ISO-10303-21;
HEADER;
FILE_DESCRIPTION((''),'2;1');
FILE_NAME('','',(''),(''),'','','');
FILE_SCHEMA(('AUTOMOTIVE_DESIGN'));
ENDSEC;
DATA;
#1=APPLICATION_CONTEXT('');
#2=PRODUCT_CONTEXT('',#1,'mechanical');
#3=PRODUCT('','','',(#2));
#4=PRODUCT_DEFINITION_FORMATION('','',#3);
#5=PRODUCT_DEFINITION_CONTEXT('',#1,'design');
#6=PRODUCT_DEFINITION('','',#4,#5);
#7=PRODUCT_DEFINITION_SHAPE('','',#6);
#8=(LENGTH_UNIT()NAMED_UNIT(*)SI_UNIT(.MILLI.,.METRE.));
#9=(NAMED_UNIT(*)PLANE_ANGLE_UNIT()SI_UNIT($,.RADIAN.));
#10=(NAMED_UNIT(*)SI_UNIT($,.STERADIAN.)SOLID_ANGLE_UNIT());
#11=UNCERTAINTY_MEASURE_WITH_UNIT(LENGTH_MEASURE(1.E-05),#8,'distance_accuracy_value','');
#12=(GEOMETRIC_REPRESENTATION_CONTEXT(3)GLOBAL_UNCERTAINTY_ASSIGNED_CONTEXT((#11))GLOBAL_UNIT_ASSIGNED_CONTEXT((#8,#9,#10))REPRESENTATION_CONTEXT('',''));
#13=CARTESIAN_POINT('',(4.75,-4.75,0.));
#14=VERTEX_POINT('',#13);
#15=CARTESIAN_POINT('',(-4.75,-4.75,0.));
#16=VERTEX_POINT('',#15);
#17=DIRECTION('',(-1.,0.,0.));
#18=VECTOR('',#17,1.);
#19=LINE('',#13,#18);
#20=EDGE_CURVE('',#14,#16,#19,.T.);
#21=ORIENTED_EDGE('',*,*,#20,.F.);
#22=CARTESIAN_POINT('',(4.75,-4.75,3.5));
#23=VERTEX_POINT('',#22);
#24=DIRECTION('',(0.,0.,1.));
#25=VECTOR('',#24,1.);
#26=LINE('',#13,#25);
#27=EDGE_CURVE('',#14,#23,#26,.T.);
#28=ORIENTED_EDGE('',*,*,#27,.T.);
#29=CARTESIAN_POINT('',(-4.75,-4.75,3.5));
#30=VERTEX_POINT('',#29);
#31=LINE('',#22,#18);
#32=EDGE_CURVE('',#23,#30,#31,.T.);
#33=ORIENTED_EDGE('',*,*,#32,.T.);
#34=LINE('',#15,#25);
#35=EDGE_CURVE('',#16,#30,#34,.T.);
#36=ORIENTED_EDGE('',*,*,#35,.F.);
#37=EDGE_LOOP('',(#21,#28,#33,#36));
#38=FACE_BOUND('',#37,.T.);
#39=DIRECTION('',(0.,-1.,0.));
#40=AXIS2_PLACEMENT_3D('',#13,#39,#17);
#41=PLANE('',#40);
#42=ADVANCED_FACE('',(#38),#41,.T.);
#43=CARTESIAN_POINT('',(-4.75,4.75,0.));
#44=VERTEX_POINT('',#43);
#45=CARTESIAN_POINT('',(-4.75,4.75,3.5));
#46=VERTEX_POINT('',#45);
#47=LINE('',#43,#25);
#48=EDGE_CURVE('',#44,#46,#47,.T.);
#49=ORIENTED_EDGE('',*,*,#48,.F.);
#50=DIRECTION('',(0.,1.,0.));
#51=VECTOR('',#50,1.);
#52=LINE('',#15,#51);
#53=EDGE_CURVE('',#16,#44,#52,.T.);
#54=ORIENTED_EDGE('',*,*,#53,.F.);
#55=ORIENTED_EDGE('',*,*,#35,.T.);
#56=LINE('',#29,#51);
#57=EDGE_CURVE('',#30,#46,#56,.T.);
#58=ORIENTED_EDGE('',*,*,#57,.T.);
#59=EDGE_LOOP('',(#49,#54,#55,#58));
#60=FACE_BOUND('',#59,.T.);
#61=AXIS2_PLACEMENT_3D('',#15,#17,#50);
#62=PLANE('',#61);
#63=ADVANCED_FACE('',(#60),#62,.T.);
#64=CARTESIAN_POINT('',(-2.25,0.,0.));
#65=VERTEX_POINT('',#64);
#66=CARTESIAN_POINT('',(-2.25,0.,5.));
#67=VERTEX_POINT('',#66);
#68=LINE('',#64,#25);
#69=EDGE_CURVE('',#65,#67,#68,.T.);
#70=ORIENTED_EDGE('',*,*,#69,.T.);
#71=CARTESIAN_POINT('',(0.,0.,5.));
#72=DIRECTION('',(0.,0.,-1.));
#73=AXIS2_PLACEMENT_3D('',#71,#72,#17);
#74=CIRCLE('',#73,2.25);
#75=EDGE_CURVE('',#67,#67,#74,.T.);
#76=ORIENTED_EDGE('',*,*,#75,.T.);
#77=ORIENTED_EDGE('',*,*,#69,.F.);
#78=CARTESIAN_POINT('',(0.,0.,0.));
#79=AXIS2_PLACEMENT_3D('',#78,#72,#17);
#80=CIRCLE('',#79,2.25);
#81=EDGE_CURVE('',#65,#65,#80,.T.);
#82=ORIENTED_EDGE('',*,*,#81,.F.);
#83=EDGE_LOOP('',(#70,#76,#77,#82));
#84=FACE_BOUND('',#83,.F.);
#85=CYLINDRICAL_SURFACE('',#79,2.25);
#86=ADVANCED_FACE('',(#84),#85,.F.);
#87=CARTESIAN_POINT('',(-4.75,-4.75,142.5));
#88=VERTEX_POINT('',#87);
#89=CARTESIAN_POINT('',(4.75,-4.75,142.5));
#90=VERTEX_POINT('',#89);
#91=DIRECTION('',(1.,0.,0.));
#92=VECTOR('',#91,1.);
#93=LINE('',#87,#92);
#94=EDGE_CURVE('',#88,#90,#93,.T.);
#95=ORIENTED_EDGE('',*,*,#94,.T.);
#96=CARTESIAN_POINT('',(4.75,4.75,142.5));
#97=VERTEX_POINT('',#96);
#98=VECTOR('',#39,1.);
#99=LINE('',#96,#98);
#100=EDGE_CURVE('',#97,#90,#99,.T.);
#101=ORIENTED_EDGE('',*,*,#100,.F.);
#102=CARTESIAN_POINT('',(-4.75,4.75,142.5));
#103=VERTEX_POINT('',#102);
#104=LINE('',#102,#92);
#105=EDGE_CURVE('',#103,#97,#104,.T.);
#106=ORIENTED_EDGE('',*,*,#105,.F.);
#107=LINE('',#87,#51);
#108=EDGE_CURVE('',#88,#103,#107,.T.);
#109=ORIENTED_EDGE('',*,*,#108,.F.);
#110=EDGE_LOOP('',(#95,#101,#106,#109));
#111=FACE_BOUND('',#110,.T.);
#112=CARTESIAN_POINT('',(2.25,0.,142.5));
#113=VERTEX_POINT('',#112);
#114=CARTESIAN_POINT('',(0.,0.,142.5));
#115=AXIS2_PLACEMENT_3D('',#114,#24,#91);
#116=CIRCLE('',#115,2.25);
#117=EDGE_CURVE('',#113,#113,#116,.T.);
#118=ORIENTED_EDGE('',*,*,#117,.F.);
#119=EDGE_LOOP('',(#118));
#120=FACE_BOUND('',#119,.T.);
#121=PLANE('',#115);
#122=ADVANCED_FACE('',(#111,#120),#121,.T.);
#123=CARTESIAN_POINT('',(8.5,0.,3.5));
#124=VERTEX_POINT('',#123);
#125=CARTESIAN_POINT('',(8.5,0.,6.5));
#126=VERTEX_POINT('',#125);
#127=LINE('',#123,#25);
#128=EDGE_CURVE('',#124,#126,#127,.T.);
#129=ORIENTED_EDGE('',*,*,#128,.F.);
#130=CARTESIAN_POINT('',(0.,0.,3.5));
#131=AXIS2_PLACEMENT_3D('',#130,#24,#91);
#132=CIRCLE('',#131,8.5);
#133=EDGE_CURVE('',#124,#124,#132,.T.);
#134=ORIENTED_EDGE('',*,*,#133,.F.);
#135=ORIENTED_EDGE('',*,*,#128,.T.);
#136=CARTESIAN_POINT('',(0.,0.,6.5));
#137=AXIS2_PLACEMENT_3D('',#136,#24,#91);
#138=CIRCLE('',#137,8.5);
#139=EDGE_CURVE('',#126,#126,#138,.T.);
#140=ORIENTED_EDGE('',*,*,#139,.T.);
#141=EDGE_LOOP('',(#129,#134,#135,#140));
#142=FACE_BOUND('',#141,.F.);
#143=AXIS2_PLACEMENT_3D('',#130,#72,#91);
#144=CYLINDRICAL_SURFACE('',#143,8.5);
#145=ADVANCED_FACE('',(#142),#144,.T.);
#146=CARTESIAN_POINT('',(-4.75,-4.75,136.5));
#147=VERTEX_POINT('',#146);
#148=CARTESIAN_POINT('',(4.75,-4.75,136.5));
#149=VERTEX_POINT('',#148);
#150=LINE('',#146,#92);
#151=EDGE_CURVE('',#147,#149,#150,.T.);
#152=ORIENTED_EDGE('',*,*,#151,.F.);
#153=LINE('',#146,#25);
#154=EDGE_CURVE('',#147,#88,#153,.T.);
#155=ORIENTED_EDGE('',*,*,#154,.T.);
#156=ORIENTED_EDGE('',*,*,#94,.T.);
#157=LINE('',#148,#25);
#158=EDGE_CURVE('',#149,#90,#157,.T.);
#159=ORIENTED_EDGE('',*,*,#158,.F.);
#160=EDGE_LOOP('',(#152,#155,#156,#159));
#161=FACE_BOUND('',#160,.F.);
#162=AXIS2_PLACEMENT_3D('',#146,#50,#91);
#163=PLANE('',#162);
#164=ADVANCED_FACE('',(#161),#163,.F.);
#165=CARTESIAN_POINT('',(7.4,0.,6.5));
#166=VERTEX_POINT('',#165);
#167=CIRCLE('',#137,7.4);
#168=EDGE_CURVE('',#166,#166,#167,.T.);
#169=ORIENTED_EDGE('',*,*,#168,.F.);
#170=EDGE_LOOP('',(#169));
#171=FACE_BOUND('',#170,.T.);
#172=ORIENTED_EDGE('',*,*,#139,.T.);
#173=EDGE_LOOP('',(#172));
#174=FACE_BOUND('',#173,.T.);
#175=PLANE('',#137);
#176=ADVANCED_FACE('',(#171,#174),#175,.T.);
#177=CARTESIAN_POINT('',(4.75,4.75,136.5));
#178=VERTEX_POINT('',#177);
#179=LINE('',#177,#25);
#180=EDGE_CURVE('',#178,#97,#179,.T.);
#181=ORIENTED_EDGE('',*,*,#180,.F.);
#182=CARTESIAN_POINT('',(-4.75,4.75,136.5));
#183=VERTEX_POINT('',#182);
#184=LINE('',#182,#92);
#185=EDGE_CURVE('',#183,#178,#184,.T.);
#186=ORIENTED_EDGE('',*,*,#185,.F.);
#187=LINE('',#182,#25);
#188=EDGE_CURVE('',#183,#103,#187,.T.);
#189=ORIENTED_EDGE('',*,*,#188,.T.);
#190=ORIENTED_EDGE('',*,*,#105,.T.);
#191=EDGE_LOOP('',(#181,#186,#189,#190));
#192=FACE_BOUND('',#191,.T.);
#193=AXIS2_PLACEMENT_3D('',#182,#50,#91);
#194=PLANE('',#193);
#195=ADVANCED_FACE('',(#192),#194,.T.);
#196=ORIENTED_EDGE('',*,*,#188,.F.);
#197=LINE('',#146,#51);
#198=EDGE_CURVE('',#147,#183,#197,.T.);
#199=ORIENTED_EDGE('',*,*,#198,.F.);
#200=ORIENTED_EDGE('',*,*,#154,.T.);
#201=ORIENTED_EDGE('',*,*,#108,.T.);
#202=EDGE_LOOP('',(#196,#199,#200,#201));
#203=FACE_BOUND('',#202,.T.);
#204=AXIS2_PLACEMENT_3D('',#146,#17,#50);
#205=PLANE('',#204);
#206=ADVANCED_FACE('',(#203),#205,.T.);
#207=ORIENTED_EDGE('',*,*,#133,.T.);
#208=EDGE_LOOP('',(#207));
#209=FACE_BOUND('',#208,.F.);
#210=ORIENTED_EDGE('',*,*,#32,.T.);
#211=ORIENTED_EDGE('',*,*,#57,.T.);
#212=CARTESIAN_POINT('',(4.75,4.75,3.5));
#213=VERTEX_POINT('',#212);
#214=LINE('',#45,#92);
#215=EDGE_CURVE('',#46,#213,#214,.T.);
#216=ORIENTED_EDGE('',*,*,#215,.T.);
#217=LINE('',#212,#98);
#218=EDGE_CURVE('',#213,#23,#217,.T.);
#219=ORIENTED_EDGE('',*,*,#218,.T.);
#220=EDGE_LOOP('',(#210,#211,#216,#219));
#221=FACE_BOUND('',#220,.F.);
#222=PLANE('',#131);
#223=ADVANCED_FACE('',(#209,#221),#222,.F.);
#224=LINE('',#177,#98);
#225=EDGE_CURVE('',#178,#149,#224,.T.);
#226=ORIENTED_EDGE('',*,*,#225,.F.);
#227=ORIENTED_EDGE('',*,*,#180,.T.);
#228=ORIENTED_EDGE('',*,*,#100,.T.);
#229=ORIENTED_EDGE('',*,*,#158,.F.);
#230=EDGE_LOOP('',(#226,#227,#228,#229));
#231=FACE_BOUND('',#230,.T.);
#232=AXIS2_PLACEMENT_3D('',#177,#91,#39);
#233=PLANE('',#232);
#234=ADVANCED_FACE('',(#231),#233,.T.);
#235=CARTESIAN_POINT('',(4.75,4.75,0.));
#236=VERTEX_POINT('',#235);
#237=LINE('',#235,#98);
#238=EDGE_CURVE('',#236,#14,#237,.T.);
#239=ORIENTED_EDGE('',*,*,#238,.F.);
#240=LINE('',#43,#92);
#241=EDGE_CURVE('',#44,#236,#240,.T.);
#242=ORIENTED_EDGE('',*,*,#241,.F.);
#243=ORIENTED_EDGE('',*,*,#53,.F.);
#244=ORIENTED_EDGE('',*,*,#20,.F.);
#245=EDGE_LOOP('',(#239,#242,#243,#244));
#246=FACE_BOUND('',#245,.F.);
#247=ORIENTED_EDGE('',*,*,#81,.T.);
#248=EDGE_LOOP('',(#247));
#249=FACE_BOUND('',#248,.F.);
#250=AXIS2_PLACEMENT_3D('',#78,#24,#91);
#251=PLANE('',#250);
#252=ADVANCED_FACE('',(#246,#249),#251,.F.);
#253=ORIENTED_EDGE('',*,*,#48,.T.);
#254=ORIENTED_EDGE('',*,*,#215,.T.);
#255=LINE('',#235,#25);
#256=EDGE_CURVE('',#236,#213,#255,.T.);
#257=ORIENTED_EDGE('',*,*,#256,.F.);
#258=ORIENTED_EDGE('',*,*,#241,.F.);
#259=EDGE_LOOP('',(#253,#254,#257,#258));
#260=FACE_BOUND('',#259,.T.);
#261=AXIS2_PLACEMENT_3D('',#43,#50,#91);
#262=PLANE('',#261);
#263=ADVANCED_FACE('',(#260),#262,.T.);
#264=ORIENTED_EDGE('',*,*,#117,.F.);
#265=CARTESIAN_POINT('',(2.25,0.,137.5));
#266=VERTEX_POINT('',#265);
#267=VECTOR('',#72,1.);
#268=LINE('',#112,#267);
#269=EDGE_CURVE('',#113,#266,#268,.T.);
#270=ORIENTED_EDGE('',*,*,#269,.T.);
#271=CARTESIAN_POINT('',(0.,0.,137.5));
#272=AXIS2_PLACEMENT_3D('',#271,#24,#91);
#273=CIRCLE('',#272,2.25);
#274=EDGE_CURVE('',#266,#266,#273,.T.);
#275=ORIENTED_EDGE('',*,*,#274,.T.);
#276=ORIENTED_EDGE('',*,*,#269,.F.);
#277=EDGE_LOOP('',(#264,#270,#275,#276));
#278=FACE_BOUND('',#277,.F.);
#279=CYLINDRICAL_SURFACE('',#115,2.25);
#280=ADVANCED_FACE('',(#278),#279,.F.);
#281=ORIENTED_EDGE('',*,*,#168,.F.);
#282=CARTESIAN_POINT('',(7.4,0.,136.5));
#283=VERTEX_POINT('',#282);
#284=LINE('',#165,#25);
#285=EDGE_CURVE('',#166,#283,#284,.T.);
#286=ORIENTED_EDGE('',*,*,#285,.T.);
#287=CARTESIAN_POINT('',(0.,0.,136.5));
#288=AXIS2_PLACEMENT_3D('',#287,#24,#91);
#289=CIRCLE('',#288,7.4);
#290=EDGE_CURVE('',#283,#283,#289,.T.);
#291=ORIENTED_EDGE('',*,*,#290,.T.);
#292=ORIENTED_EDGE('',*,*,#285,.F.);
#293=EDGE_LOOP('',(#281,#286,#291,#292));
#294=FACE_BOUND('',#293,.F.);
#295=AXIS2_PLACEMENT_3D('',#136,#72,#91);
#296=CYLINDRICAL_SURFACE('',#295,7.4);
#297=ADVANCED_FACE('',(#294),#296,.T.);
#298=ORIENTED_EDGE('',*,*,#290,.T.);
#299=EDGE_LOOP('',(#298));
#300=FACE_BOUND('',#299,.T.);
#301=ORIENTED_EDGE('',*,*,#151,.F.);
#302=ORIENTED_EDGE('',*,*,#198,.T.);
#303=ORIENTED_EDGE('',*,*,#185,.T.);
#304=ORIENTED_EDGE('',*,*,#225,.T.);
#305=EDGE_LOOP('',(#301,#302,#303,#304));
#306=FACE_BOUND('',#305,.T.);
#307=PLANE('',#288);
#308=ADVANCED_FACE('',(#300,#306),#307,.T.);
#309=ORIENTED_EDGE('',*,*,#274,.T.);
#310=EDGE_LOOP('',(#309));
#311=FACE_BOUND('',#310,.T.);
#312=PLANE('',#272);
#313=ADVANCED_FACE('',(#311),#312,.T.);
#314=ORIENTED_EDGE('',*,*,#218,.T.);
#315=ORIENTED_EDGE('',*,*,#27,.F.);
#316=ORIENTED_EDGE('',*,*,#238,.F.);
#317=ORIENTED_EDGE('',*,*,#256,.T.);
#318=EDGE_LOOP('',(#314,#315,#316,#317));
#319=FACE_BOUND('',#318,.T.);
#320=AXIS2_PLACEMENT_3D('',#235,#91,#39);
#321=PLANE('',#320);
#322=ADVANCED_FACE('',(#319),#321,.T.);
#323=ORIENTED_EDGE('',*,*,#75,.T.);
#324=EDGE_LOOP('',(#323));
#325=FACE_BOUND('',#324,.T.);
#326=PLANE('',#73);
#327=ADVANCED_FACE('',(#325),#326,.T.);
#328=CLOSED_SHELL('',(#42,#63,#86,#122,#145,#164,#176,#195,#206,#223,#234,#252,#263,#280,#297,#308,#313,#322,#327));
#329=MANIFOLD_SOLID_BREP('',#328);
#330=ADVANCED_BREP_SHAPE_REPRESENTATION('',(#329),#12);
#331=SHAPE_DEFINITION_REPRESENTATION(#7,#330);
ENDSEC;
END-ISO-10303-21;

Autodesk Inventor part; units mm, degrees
ref_plane "XZ Plane" through (0, 0, 0) normal (0, 1, 0) x (-1, 0, 0)
ref_plane "XY Plane" through (0, 0, 0) normal (0, 0, 1) x (1, 0, 0)
sketch "Skizze1" plane through (0, 0, 0) normal (0, 0, 1) x (1, 0, 0)
  line L0 (-4.75, 4.75) -> (4.75, 4.75)
  line L1 (4.75, 4.75) -> (4.75, -4.75)
  line L2 (4.75, -4.75) -> (-4.75, -4.75)
  line L3 (-4.75, -4.75) -> (-4.75, 4.75)
  line L4 (-4.75, 4.75) -> (4.75, -4.75) construction
  line L5 (4.75, 4.75) -> (-4.75, -4.75) construction
  point P0 (0, 0)
  dimension "d0" = 9.5
  dimension "d1" = 9.5
extrude "Extrusion1" add sketch "Skizze1" along normal blind 3.5
sketch "Skizze2" plane through (0, 0, 3.5) normal (0, 0, 1) x (1, 0, 0)
  circle A0 centre (0, 0) radius 8.5
  dimension "d4" = 17
extrude "Extrusion2" add sketch "Skizze2" along normal blind 3
sketch "Skizze3" plane through (0, 0, 6.5) normal (0, 0, 1) x (1, 0, 0)
  circle A0 centre (0, 0) radius 7.4
  circle A1 centre (0, 0) radius 8.5 projected
  dimension "d7" = 14.8
  dimension "d19" = 1.1
extrude "Extrusion3" add sketch "Skizze3" along normal blind 130 contours A0
sketch "Skizze4" plane through (0, 0, 136.5) normal (0, 0, 1) x (1, 0, 0)
  line L0 (-4.75, -4.75) -> (4.75, -4.75) projected
  line L1 (-4.75, 4.75) -> (4.75, 4.75)
  line L2 (4.75, 4.75) -> (4.75, -4.75)
  line L3 (4.75, -4.75) -> (-4.75, -4.75)
  line L4 (-4.75, -4.75) -> (-4.75, 4.75)
  line L5 (-4.75, 4.75) -> (4.75, -4.75) construction
  line L6 (4.75, 4.75) -> (-4.75, -4.75) construction
  point P0 (0, 0)
  dimension "d10" = 9.5
extrude "Extrusion4" add sketch "Skizze4" along normal blind 6
sketch "Skizze5" plane through (0, 0, 142.5) normal (0, 0, 1) x (1, 0, 0)
  circle A0 centre (0, 0) radius 2.25
  dimension "d13" = 4.5
extrude "Extrusion5" cut sketch "Skizze5" against normal blind 5
sketch "Skizze6" plane through (0, 0, 0) normal (0, 0, -1) x (-1, 0, 0)
  circle A0 centre (0, 0) radius 2.25
  dimension "d16" = 4.5
extrude "Extrusion6" cut sketch "Skizze6" against normal blind 5
properties part number "_3D-Druck"
